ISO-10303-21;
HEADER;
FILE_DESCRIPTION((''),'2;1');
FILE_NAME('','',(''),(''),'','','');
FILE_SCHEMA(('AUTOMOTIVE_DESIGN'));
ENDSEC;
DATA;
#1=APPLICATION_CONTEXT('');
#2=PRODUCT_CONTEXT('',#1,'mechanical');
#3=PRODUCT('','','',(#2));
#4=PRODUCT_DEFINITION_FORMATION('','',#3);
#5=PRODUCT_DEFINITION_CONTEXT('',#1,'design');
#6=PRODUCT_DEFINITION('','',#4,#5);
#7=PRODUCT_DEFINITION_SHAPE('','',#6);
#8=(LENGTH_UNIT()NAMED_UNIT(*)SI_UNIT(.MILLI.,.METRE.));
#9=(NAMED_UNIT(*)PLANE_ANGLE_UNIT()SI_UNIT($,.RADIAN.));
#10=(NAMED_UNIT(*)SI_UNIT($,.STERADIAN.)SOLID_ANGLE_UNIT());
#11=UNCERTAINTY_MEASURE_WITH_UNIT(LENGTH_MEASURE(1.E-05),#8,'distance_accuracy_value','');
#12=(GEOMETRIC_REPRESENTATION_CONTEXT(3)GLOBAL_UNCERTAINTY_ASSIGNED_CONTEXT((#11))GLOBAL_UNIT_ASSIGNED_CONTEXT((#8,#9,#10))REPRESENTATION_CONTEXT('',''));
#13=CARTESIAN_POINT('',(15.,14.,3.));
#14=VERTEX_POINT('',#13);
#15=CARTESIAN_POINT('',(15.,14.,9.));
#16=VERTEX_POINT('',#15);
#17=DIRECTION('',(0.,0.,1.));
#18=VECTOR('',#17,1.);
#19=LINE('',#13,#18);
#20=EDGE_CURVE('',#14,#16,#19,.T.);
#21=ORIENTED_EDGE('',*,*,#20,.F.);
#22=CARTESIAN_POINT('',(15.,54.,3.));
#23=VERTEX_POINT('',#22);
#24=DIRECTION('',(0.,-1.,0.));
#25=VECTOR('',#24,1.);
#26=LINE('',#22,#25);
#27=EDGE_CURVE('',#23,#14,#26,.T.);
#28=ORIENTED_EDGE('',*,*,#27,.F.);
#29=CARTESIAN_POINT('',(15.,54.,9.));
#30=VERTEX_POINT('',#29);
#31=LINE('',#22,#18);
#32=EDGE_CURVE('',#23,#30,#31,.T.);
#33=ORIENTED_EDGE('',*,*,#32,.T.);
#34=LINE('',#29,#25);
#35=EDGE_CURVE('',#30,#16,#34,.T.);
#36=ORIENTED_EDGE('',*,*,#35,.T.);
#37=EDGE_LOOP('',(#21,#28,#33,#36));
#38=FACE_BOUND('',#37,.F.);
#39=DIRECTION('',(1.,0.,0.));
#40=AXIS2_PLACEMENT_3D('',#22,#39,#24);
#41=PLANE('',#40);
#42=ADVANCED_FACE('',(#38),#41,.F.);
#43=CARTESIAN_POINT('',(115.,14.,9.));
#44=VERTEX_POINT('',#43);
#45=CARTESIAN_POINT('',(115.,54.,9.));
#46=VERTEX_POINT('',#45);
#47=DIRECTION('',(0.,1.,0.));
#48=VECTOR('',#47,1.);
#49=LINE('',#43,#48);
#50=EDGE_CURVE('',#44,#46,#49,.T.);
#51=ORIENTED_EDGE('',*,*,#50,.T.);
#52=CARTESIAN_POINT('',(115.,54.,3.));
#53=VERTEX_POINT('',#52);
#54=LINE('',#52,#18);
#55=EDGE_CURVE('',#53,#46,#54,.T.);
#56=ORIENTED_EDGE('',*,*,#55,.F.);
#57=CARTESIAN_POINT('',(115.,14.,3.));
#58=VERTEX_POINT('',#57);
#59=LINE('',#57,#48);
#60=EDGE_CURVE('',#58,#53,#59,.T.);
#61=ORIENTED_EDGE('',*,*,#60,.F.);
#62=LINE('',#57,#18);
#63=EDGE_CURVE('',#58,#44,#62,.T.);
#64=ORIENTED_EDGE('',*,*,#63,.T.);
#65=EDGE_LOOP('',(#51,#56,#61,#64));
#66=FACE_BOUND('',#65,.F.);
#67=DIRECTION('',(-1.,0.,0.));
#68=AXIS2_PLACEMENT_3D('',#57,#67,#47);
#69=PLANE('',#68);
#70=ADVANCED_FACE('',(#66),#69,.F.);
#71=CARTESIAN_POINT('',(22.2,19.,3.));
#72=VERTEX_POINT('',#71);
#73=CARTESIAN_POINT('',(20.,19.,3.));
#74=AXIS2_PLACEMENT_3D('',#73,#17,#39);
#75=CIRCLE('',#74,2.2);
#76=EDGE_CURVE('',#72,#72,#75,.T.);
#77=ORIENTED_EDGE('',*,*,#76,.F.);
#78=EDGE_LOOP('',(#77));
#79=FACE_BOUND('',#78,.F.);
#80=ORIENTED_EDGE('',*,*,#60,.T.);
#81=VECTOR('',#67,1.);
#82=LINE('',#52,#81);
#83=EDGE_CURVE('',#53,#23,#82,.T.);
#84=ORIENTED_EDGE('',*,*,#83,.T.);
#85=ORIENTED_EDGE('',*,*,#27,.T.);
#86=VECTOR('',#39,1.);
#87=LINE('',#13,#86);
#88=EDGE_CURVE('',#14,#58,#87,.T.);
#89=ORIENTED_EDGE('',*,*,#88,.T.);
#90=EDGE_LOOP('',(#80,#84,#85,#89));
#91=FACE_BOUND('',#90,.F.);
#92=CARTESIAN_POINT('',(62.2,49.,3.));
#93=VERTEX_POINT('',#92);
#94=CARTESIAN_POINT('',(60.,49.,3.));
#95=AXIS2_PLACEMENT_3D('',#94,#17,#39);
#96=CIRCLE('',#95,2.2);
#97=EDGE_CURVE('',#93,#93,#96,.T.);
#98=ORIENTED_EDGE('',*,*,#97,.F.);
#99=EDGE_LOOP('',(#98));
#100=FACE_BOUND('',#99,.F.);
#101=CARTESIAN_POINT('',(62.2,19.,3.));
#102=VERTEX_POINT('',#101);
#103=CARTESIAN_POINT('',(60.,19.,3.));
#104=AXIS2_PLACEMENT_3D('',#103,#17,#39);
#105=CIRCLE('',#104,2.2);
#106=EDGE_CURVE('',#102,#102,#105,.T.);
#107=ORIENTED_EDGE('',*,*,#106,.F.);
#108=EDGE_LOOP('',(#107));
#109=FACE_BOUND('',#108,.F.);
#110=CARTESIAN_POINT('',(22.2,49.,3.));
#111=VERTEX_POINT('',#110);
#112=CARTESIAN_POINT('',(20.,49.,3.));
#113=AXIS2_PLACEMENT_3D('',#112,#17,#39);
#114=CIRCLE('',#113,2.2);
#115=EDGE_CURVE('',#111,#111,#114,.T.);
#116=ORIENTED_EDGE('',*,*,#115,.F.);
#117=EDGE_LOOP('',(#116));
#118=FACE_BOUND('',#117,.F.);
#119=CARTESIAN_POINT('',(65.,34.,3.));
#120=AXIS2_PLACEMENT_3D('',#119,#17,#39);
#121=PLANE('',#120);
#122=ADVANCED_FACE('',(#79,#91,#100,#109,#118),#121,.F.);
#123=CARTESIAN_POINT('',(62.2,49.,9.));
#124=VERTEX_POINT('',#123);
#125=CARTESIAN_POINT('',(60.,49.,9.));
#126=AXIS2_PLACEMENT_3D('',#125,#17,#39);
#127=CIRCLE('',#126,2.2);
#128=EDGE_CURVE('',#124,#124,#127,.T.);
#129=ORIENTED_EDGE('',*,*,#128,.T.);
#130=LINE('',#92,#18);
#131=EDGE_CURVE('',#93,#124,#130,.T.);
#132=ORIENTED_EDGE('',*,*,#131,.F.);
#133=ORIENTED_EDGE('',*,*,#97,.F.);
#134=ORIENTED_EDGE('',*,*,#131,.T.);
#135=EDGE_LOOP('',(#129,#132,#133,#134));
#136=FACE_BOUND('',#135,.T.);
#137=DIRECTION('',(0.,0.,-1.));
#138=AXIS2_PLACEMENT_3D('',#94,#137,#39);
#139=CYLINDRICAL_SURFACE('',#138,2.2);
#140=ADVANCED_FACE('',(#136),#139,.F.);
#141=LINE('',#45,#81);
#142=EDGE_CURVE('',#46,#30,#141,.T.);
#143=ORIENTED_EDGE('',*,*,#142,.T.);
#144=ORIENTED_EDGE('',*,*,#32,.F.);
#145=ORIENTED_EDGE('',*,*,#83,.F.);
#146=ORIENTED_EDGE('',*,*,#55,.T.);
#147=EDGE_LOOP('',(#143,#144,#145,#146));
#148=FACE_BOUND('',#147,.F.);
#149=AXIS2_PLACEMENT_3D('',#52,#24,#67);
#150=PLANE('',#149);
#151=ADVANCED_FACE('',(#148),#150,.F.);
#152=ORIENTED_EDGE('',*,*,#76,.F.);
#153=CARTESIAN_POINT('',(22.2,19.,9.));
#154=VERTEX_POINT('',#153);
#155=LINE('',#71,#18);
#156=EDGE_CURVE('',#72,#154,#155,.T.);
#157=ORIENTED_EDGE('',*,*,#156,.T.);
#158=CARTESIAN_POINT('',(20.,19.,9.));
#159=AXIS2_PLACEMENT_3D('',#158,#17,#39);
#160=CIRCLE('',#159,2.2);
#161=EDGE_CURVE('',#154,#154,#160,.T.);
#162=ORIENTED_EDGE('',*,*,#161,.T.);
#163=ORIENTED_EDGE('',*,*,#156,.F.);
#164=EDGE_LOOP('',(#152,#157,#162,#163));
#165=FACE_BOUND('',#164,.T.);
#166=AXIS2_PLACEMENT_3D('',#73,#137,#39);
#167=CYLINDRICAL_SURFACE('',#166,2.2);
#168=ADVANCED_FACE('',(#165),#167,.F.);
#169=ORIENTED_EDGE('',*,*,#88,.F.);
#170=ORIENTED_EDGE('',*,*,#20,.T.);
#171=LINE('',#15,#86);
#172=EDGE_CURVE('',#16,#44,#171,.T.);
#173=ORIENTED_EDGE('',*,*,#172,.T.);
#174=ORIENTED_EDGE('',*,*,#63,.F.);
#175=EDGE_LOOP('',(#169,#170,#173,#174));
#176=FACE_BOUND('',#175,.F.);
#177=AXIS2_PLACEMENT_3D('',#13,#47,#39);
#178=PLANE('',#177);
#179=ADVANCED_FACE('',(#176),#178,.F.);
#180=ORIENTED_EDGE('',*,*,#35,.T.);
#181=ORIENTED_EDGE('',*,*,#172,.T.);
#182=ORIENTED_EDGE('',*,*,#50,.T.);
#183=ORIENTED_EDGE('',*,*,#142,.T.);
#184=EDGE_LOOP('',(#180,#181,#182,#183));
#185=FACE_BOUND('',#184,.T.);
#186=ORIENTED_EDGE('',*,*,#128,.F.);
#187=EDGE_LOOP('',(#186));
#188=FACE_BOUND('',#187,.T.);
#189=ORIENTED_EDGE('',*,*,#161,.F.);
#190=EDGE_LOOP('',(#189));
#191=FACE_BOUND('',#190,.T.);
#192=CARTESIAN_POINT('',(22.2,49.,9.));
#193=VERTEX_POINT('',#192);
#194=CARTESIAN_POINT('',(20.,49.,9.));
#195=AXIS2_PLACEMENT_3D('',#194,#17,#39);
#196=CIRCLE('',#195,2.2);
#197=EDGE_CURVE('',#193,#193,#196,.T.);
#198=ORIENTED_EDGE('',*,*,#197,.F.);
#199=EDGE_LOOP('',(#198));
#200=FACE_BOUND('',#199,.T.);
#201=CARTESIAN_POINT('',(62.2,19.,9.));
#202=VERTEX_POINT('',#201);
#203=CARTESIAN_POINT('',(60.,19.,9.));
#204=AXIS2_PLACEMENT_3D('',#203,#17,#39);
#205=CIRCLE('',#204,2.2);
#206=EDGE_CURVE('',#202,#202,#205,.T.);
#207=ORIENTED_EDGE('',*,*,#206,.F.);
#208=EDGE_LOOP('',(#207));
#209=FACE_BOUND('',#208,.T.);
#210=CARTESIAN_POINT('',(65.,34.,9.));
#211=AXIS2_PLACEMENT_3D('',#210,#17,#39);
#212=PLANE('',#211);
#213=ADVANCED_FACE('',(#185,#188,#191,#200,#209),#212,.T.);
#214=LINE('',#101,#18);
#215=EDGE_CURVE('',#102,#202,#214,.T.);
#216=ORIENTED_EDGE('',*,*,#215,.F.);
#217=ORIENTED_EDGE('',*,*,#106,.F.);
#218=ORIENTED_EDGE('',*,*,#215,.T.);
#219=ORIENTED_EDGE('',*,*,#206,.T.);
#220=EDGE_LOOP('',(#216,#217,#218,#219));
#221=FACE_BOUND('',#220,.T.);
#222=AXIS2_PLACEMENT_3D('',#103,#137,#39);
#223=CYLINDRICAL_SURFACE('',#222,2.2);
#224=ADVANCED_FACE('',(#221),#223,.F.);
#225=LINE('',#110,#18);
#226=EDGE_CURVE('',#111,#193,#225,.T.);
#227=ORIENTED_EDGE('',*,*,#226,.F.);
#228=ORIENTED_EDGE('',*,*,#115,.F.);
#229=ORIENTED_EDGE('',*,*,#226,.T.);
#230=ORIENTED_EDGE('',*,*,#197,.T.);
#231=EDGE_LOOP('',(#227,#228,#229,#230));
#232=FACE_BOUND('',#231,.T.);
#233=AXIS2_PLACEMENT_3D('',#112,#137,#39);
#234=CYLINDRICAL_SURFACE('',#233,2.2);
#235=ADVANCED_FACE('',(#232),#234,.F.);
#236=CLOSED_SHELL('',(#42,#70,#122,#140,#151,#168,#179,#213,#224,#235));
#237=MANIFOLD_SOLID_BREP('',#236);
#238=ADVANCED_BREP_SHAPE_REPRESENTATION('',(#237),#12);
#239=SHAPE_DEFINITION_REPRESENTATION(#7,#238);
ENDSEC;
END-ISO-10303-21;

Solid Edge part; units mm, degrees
sketch "Sketch1" plane through (0, 0, 3) normal (0, 0, 1) x (1, 0, 0)
  circle A0 centre (20, 19) radius 2.2
  circle A1 centre (20, 49) radius 2.2
  circle A2 centre (60, 49) radius 2.2
  circle A3 centre (60, 19) radius 2.2
  line L0 (15, 14) -> (115, 14)
  line L1 (115, 14) -> (115, 54)
  line L2 (115, 54) -> (15, 54)
  line L3 (15, 54) -> (15, 14)
  dimension "D1" = 40
  dimension "D2" = 100
  dimension "D3" = 30
  dimension "D4" = 40
  dimension "D5" = 5
  dimension "D6" = 5
extrude "ExtrudedProtrusion_1" add sketch "Sketch1" along normal blind 6
properties material "Acrylic, high impact grade"
